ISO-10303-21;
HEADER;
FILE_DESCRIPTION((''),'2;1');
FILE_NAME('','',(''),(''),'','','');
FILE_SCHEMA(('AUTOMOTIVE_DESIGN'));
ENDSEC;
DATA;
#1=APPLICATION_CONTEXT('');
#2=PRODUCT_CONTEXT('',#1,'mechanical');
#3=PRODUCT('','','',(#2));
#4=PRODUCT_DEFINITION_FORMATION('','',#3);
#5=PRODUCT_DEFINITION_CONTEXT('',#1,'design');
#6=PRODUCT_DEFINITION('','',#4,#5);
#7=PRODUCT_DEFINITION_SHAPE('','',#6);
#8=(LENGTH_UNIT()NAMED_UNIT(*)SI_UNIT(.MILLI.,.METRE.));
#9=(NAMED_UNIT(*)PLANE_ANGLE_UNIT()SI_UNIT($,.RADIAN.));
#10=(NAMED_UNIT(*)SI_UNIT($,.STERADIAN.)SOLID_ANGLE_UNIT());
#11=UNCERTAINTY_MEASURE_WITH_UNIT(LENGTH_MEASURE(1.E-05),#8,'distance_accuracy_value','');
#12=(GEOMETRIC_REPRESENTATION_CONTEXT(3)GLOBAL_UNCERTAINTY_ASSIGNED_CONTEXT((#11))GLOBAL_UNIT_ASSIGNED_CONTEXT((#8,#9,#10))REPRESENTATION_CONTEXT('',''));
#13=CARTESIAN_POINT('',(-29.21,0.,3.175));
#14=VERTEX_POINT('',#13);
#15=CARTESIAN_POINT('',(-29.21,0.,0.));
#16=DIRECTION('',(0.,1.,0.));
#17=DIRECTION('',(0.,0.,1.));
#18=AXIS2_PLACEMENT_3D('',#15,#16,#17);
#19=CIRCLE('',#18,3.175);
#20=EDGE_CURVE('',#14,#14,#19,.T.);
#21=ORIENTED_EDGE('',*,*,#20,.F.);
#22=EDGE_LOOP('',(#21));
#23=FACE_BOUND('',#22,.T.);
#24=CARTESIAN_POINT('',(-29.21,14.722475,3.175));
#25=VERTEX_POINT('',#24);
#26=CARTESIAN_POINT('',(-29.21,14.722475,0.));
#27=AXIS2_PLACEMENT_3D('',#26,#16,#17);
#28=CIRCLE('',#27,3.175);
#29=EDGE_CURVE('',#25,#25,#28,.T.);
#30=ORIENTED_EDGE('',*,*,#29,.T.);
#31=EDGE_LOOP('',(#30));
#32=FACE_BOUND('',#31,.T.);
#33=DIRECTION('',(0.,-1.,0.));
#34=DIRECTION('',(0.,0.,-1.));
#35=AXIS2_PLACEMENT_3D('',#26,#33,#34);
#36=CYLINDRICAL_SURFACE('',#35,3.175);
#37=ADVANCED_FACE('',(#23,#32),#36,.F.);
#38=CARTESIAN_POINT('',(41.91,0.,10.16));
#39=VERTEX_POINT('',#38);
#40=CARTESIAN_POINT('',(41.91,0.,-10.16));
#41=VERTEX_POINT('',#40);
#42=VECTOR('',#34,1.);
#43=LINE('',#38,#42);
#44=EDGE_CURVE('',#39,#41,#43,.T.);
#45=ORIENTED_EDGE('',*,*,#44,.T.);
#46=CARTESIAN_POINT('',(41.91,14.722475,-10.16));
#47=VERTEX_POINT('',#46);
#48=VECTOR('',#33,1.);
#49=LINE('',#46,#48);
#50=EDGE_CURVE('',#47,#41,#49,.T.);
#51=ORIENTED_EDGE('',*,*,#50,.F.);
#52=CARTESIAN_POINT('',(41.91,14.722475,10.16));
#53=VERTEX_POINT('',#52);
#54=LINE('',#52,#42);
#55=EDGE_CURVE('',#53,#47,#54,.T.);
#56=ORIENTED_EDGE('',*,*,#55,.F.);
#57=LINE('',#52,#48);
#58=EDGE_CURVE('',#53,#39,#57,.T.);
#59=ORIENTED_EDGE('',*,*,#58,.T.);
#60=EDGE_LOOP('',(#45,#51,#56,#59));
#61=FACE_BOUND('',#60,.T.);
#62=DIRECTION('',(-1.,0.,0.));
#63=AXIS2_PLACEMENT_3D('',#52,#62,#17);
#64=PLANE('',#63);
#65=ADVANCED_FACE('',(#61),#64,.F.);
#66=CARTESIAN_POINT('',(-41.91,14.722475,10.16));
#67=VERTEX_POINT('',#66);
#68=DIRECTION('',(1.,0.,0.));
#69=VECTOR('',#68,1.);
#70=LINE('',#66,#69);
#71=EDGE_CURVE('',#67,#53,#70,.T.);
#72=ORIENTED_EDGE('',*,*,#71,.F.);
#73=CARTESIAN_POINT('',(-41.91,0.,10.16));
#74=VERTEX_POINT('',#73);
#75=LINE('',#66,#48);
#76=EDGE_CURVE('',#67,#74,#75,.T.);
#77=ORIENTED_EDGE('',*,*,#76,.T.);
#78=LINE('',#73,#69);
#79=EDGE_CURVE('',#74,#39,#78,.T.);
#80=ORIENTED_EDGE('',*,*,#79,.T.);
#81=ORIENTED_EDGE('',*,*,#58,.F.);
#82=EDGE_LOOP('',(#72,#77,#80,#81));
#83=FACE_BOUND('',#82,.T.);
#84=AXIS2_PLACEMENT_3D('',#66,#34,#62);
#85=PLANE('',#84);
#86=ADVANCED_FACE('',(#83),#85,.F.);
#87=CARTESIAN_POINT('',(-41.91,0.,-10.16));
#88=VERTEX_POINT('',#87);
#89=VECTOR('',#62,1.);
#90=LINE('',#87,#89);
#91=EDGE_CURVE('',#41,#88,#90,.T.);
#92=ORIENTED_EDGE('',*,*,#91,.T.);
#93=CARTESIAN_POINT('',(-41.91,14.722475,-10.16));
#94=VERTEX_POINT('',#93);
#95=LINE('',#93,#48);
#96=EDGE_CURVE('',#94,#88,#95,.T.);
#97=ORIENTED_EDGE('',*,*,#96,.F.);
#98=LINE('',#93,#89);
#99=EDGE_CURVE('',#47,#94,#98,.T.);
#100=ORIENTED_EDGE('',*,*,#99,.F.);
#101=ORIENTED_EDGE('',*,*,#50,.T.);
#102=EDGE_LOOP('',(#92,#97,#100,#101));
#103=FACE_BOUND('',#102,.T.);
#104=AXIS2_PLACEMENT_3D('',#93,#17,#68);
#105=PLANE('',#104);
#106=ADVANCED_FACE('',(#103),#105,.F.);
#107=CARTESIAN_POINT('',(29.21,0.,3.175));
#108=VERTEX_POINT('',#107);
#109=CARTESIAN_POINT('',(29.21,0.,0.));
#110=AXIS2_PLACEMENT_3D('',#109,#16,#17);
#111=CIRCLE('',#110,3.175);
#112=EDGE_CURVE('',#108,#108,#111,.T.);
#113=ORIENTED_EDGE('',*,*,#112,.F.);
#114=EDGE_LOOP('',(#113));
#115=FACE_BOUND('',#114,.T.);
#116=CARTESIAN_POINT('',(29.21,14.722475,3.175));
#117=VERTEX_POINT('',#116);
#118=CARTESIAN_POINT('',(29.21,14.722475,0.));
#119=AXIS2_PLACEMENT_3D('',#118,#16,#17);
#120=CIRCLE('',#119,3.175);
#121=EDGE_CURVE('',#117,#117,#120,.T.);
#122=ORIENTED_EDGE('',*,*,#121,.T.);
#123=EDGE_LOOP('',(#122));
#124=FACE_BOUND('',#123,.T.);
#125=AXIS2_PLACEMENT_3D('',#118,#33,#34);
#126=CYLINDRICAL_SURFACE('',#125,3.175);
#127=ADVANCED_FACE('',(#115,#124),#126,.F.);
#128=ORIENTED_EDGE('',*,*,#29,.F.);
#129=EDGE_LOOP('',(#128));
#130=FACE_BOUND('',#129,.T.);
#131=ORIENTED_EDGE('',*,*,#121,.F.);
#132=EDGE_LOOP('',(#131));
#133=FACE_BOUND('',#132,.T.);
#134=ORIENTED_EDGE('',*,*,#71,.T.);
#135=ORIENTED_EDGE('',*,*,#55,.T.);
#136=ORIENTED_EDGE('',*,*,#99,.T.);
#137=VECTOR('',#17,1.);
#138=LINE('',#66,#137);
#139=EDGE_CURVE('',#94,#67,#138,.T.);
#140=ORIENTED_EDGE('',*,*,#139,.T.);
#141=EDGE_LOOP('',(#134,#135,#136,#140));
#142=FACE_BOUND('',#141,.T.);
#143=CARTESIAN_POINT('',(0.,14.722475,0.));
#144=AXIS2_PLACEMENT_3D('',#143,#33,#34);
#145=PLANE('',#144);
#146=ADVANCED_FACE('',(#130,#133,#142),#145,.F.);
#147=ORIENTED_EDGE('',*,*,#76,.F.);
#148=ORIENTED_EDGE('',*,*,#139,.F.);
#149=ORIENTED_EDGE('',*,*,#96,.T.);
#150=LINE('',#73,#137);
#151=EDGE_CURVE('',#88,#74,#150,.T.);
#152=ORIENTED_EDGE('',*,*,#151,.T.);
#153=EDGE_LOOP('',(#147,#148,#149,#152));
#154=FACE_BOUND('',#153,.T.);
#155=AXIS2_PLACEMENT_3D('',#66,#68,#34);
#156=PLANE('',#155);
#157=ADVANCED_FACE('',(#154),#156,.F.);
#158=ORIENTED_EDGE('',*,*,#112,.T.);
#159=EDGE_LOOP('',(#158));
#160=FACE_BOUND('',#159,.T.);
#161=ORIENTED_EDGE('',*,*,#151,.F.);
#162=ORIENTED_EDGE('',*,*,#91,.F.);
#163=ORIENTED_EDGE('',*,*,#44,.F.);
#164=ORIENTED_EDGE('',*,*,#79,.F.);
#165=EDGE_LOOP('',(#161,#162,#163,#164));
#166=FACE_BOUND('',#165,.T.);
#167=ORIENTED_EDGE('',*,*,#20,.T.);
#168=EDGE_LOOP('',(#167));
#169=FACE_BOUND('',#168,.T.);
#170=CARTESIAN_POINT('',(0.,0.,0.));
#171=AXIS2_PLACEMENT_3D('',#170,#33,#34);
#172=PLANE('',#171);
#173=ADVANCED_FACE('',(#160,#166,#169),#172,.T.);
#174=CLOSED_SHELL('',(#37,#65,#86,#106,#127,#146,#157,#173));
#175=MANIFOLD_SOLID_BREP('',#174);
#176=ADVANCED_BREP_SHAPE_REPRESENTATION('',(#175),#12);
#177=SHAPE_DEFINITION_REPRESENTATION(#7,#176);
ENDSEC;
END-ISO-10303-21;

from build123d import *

# Parameters (mm, degrees)
SKETCH1_W           = 83.82
SKETCH1_H           = 20.32
SKETCH1_R           = 3.175
BOSS_EXTRUDE1_DEPTH = 14.722475


with BuildPart() as part:
    # Sketch1 → Boss-Extrude1 (new body)
    with BuildSketch(Plane(origin=(0, 0, 0), x_dir=(1, 0, 0), z_dir=(0, 1, 0))):
        Rectangle(SKETCH1_W, SKETCH1_H)
        with Locations(Location((-29.21, 0, 0), (0, 0, 270))):
            Circle(SKETCH1_R, mode=Mode.SUBTRACT)
        with Locations(Location((29.21, 0, 0), (0, 0, 270))):
            Circle(SKETCH1_R, mode=Mode.SUBTRACT)
    extrude(amount=BOSS_EXTRUDE1_DEPTH)


solid = part.part
